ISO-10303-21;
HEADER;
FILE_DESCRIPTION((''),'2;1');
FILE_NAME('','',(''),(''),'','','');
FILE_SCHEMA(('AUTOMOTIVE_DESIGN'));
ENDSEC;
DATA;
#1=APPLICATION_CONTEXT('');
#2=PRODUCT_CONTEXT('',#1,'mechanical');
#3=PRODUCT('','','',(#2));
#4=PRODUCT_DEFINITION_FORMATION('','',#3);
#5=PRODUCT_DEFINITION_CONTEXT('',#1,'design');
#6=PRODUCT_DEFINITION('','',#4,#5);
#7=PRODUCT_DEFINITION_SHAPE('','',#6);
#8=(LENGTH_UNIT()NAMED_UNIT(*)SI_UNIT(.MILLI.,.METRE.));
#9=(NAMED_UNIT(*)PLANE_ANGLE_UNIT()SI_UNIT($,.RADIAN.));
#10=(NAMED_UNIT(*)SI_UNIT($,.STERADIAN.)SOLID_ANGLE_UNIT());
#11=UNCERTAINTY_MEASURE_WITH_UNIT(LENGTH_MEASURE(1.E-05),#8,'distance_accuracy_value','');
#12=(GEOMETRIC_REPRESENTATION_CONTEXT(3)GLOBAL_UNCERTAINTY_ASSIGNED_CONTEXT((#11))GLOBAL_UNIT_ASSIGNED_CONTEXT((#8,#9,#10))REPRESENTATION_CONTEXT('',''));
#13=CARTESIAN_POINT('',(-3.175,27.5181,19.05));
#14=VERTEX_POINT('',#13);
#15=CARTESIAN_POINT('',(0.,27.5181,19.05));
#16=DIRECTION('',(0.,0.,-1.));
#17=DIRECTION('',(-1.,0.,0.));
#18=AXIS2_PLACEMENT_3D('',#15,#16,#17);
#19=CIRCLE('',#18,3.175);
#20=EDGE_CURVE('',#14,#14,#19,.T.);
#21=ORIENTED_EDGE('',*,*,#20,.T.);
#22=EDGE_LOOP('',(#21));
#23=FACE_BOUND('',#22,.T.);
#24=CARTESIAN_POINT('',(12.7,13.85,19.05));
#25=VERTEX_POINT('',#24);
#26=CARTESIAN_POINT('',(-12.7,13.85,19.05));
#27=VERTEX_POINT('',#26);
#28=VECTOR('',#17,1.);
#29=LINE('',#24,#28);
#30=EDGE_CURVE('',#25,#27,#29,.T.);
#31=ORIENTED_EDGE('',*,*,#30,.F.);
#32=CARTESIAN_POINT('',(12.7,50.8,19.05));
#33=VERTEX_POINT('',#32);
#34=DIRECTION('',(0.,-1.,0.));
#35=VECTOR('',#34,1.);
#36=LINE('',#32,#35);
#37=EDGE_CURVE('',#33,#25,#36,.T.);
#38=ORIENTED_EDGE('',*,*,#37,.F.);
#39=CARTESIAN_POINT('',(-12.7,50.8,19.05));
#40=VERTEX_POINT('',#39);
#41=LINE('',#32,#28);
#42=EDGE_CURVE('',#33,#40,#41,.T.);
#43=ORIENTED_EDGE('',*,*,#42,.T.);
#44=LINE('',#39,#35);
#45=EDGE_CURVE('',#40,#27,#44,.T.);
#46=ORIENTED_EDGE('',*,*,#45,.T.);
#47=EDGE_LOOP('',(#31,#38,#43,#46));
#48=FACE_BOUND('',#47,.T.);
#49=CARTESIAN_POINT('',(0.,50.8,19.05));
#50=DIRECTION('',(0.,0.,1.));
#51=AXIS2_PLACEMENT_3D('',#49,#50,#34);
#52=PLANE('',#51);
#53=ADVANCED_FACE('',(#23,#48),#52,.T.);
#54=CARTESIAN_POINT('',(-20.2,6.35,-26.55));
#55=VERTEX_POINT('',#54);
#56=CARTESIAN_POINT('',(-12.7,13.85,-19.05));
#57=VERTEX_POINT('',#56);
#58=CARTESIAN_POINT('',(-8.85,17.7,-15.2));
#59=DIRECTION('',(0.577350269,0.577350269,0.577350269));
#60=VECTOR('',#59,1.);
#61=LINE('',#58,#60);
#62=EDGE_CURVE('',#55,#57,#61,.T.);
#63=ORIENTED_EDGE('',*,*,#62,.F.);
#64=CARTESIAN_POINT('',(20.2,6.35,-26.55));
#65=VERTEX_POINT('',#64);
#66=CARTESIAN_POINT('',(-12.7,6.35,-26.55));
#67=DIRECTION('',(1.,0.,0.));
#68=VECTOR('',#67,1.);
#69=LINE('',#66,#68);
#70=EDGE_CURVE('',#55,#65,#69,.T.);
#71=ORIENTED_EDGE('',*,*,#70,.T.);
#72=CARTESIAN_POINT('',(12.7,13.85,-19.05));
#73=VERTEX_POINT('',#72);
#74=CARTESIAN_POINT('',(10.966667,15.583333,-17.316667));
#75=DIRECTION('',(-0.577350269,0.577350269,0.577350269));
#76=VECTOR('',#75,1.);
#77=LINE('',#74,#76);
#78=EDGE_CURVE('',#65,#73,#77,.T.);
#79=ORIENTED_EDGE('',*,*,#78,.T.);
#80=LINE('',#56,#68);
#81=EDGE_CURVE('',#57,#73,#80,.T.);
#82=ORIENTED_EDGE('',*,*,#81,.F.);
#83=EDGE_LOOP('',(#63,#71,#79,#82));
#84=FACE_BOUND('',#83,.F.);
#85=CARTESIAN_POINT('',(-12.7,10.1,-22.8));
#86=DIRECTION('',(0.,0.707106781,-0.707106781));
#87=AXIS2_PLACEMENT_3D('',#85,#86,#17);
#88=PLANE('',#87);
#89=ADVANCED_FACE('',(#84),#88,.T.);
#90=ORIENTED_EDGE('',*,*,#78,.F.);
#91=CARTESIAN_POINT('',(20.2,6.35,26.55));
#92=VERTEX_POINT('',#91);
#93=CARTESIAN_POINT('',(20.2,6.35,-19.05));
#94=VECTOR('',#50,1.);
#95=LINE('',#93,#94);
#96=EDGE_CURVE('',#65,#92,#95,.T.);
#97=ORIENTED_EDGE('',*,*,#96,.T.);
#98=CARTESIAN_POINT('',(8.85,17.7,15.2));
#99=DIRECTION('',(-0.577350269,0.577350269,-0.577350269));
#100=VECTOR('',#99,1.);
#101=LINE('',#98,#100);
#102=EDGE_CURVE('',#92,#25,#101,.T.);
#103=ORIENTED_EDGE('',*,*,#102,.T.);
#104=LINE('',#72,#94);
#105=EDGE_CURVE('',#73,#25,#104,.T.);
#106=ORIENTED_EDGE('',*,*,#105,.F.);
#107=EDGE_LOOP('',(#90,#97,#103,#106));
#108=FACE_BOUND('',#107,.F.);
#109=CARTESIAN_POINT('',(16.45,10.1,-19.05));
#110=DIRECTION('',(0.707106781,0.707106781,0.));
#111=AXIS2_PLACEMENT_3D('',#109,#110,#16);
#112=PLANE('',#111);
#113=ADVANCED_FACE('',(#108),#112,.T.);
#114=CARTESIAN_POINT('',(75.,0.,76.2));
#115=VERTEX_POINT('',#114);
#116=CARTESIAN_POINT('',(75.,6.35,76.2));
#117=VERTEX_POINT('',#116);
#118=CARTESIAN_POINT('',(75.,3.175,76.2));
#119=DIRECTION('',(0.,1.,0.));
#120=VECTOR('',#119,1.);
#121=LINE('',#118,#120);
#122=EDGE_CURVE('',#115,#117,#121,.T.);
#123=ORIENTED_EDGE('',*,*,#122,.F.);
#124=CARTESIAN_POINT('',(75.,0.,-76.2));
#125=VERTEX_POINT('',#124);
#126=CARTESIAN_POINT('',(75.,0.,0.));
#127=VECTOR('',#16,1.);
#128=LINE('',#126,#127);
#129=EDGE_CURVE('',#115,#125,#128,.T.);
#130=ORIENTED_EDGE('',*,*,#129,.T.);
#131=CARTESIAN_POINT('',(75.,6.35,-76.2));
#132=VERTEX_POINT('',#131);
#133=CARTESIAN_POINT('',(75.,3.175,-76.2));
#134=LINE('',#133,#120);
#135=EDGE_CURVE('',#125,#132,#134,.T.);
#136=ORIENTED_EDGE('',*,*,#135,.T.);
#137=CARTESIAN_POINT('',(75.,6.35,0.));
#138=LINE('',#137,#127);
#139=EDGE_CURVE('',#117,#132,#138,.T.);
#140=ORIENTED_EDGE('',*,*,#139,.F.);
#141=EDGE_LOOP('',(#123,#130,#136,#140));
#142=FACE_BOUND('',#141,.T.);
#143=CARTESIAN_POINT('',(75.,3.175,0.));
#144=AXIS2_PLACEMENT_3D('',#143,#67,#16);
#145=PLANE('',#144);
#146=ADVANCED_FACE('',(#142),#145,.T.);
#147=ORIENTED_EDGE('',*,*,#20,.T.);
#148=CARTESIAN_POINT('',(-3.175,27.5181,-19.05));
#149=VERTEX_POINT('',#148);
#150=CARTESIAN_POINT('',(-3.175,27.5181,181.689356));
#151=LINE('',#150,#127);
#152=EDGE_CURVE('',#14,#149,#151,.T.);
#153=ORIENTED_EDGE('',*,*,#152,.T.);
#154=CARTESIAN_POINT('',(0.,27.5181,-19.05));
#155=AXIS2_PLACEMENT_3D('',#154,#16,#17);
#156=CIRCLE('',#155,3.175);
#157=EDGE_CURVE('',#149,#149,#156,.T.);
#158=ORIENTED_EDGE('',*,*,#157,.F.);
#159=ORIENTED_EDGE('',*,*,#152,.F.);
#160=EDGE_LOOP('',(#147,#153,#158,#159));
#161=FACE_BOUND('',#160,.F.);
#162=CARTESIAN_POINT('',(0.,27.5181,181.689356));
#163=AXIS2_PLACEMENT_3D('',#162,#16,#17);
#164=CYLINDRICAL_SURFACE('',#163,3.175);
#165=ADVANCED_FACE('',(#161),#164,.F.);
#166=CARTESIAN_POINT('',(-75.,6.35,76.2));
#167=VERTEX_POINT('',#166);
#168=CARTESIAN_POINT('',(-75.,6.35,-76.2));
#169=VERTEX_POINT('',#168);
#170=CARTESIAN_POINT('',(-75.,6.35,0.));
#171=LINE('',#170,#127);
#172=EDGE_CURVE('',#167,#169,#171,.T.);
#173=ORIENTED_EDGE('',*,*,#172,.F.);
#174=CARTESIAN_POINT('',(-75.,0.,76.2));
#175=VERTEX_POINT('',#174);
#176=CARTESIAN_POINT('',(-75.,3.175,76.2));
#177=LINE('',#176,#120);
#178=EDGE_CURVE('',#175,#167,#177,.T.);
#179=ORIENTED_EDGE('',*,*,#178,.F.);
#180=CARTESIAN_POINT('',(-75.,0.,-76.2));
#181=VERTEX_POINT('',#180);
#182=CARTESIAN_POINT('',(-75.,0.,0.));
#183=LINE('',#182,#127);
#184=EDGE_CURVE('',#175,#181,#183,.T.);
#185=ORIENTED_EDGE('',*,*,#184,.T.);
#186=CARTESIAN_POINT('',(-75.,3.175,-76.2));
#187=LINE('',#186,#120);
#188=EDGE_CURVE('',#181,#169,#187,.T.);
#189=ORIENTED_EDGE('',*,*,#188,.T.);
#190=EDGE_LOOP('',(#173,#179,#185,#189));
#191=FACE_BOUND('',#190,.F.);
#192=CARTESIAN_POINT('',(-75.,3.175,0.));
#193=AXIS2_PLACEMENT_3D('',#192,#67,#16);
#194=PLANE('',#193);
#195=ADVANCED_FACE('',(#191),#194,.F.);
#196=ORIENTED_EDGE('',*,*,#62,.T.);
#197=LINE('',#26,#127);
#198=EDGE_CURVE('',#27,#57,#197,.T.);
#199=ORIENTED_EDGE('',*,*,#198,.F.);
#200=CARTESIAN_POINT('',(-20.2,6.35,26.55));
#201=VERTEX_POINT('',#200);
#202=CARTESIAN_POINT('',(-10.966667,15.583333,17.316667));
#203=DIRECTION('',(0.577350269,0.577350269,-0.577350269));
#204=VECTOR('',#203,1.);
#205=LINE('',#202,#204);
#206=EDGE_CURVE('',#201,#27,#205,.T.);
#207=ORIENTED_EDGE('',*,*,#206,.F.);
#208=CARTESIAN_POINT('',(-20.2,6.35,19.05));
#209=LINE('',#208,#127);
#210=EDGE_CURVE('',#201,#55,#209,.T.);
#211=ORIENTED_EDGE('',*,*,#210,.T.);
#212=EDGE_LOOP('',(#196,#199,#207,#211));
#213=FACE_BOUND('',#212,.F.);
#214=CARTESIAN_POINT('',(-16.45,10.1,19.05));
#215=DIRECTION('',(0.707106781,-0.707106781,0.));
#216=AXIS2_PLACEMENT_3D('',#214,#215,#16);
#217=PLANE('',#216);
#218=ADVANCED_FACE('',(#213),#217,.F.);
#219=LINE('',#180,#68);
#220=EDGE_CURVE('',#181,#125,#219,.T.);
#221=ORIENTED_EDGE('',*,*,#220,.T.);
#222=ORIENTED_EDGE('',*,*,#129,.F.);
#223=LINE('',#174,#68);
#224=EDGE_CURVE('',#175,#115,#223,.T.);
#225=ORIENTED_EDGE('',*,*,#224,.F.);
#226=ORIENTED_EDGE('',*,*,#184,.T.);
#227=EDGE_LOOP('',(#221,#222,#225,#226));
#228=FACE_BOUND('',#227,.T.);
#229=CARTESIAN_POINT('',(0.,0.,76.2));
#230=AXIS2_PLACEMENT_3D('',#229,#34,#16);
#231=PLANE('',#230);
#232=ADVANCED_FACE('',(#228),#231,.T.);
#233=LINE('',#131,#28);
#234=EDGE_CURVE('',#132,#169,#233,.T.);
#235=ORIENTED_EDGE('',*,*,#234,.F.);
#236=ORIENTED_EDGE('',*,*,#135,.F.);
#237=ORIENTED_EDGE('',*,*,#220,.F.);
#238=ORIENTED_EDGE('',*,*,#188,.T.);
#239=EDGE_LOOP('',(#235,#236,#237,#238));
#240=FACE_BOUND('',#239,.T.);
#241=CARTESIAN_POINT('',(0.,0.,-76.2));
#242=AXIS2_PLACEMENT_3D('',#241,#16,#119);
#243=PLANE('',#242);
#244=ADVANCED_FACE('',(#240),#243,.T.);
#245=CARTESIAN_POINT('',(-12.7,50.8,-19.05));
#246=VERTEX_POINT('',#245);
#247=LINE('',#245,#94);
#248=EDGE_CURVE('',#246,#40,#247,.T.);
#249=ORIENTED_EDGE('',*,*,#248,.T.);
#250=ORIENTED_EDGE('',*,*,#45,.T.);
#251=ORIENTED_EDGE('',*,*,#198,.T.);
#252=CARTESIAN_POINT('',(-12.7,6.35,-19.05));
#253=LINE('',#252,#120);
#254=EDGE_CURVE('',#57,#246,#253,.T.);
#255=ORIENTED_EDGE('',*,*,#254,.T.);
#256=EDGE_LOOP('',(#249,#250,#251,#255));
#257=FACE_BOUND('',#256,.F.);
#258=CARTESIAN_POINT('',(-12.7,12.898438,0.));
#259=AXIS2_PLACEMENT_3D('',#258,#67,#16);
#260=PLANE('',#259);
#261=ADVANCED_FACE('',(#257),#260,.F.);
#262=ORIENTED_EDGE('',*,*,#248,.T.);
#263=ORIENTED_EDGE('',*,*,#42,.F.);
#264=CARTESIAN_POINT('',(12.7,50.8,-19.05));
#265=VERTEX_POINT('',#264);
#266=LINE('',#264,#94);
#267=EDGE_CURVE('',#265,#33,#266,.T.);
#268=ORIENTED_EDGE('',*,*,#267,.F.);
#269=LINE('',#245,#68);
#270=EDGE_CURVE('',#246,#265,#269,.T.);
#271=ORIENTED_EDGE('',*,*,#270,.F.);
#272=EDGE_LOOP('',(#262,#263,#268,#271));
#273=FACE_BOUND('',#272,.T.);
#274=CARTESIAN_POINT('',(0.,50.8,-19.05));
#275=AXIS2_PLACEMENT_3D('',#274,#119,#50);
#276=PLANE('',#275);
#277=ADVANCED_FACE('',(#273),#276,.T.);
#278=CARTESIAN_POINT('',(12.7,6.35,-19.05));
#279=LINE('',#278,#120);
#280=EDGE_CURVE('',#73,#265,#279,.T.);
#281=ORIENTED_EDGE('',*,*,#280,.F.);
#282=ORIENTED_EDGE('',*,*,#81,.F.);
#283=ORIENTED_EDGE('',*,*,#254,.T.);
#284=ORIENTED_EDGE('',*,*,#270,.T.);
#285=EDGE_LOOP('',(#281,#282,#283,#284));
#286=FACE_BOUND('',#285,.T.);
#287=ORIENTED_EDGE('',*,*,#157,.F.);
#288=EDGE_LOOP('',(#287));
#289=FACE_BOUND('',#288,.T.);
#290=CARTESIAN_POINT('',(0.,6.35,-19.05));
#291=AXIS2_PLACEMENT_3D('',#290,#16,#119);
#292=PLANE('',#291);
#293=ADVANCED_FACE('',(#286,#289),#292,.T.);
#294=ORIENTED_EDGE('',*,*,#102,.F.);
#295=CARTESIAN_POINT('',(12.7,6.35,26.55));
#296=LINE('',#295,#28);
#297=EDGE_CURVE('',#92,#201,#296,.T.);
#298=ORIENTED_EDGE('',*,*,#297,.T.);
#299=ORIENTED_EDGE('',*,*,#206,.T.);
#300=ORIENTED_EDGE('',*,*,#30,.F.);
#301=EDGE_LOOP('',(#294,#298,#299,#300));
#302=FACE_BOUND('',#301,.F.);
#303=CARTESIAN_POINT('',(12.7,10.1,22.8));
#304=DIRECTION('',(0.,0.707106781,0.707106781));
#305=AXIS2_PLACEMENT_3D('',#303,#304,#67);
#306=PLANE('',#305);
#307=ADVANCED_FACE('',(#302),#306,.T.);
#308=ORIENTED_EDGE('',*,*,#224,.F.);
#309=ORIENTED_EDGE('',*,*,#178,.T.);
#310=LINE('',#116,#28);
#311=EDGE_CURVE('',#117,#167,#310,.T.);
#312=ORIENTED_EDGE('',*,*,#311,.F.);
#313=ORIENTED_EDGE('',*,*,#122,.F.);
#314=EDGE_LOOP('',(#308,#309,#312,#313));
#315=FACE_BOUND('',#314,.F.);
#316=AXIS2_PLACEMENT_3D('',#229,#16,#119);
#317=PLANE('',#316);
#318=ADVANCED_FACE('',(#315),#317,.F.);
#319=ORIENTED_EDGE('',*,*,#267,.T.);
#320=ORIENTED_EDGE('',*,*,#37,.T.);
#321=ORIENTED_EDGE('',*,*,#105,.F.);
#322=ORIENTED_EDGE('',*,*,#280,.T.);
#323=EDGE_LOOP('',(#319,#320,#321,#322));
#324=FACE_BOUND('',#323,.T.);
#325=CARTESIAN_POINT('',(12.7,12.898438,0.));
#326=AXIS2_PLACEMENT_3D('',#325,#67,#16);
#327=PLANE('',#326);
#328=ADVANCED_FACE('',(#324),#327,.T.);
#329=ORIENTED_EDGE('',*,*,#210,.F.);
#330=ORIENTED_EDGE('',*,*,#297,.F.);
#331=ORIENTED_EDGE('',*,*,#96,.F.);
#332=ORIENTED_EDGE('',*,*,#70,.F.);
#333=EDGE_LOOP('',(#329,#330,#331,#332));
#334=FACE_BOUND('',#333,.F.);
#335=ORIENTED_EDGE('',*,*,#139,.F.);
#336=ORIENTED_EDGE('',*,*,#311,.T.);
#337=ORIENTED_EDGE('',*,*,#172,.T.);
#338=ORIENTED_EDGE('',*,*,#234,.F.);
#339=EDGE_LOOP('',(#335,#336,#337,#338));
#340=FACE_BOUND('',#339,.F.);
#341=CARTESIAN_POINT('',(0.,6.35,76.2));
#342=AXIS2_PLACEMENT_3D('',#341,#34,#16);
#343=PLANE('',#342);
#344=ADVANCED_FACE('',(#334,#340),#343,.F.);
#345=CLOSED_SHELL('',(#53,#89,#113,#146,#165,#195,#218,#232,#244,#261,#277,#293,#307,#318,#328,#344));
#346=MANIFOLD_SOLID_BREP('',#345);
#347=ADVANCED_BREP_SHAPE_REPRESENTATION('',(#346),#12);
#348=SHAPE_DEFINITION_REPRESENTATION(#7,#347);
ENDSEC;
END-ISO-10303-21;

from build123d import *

# Parameters (mm, degrees)
BOSS_EXTRUDE1_DEPTH         = 12.7
BOSS_EXTRUDE1_DEPTH_BACK    = 12.7
F_1_4_0_25_DIAMETER_HOLE1_D = 6.35
BOSS_EXTRUDE2_DEPTH         = 75
BOSS_EXTRUDE2_DEPTH_BACK    = 75
SKETCH6_W                   = 152.4
SKETCH6_H                   = 6.35
CHAMFER1_SIZE               = 7.5


with BuildPart() as part:
    # Sketch-Profile → Boss-Extrude1 (new, two sides: drawn at the far end of the back side and taken through both)
    with BuildSketch(Plane(origin=(0, 0, 0), x_dir=(0, 0, -1), z_dir=(1, 0, 0)).offset(-BOSS_EXTRUDE1_DEPTH_BACK)):
        Polygon((-76.2, 6.35), (-76.2, 0), (76.2, 0), (76.2, 6.35), (19.05, 6.35), (19.05, 50.8), (-19.05, 50.8), (-19.05, 6.35), align=None)
    extrude(amount=BOSS_EXTRUDE1_DEPTH + BOSS_EXTRUDE1_DEPTH_BACK)

    # 1/4 (0.25) Diameter Hole1 (through all)
    with Locations(Plane.XY.offset(19.05)):
        with Locations((0, 27.5181)):
            Hole(F_1_4_0_25_DIAMETER_HOLE1_D / 2)

    # Sketch6 → Boss-Extrude2 (add, two sides: drawn at the far end of the back side and taken through both)
    with BuildSketch(Plane(origin=(0, 0, 0), x_dir=(0, 0, -1), z_dir=(1, 0, 0)).offset(-BOSS_EXTRUDE2_DEPTH_BACK)):
        with Locations((0, 3.175)):
            Rectangle(SKETCH6_W, SKETCH6_H)
    extrude(amount=BOSS_EXTRUDE2_DEPTH + BOSS_EXTRUDE2_DEPTH_BACK)

    # Chamfer1
    chamfer1_edges = [part.edges().sort_by_distance(p)[0] for p in [
        (0, 6.35, 19.05),
        (-12.7, 6.35, 0),
        (0, 6.35, -19.05),
        (12.7, 6.35, 0),
    ]]
    chamfer(chamfer1_edges, length=CHAMFER1_SIZE)


solid = part.part
